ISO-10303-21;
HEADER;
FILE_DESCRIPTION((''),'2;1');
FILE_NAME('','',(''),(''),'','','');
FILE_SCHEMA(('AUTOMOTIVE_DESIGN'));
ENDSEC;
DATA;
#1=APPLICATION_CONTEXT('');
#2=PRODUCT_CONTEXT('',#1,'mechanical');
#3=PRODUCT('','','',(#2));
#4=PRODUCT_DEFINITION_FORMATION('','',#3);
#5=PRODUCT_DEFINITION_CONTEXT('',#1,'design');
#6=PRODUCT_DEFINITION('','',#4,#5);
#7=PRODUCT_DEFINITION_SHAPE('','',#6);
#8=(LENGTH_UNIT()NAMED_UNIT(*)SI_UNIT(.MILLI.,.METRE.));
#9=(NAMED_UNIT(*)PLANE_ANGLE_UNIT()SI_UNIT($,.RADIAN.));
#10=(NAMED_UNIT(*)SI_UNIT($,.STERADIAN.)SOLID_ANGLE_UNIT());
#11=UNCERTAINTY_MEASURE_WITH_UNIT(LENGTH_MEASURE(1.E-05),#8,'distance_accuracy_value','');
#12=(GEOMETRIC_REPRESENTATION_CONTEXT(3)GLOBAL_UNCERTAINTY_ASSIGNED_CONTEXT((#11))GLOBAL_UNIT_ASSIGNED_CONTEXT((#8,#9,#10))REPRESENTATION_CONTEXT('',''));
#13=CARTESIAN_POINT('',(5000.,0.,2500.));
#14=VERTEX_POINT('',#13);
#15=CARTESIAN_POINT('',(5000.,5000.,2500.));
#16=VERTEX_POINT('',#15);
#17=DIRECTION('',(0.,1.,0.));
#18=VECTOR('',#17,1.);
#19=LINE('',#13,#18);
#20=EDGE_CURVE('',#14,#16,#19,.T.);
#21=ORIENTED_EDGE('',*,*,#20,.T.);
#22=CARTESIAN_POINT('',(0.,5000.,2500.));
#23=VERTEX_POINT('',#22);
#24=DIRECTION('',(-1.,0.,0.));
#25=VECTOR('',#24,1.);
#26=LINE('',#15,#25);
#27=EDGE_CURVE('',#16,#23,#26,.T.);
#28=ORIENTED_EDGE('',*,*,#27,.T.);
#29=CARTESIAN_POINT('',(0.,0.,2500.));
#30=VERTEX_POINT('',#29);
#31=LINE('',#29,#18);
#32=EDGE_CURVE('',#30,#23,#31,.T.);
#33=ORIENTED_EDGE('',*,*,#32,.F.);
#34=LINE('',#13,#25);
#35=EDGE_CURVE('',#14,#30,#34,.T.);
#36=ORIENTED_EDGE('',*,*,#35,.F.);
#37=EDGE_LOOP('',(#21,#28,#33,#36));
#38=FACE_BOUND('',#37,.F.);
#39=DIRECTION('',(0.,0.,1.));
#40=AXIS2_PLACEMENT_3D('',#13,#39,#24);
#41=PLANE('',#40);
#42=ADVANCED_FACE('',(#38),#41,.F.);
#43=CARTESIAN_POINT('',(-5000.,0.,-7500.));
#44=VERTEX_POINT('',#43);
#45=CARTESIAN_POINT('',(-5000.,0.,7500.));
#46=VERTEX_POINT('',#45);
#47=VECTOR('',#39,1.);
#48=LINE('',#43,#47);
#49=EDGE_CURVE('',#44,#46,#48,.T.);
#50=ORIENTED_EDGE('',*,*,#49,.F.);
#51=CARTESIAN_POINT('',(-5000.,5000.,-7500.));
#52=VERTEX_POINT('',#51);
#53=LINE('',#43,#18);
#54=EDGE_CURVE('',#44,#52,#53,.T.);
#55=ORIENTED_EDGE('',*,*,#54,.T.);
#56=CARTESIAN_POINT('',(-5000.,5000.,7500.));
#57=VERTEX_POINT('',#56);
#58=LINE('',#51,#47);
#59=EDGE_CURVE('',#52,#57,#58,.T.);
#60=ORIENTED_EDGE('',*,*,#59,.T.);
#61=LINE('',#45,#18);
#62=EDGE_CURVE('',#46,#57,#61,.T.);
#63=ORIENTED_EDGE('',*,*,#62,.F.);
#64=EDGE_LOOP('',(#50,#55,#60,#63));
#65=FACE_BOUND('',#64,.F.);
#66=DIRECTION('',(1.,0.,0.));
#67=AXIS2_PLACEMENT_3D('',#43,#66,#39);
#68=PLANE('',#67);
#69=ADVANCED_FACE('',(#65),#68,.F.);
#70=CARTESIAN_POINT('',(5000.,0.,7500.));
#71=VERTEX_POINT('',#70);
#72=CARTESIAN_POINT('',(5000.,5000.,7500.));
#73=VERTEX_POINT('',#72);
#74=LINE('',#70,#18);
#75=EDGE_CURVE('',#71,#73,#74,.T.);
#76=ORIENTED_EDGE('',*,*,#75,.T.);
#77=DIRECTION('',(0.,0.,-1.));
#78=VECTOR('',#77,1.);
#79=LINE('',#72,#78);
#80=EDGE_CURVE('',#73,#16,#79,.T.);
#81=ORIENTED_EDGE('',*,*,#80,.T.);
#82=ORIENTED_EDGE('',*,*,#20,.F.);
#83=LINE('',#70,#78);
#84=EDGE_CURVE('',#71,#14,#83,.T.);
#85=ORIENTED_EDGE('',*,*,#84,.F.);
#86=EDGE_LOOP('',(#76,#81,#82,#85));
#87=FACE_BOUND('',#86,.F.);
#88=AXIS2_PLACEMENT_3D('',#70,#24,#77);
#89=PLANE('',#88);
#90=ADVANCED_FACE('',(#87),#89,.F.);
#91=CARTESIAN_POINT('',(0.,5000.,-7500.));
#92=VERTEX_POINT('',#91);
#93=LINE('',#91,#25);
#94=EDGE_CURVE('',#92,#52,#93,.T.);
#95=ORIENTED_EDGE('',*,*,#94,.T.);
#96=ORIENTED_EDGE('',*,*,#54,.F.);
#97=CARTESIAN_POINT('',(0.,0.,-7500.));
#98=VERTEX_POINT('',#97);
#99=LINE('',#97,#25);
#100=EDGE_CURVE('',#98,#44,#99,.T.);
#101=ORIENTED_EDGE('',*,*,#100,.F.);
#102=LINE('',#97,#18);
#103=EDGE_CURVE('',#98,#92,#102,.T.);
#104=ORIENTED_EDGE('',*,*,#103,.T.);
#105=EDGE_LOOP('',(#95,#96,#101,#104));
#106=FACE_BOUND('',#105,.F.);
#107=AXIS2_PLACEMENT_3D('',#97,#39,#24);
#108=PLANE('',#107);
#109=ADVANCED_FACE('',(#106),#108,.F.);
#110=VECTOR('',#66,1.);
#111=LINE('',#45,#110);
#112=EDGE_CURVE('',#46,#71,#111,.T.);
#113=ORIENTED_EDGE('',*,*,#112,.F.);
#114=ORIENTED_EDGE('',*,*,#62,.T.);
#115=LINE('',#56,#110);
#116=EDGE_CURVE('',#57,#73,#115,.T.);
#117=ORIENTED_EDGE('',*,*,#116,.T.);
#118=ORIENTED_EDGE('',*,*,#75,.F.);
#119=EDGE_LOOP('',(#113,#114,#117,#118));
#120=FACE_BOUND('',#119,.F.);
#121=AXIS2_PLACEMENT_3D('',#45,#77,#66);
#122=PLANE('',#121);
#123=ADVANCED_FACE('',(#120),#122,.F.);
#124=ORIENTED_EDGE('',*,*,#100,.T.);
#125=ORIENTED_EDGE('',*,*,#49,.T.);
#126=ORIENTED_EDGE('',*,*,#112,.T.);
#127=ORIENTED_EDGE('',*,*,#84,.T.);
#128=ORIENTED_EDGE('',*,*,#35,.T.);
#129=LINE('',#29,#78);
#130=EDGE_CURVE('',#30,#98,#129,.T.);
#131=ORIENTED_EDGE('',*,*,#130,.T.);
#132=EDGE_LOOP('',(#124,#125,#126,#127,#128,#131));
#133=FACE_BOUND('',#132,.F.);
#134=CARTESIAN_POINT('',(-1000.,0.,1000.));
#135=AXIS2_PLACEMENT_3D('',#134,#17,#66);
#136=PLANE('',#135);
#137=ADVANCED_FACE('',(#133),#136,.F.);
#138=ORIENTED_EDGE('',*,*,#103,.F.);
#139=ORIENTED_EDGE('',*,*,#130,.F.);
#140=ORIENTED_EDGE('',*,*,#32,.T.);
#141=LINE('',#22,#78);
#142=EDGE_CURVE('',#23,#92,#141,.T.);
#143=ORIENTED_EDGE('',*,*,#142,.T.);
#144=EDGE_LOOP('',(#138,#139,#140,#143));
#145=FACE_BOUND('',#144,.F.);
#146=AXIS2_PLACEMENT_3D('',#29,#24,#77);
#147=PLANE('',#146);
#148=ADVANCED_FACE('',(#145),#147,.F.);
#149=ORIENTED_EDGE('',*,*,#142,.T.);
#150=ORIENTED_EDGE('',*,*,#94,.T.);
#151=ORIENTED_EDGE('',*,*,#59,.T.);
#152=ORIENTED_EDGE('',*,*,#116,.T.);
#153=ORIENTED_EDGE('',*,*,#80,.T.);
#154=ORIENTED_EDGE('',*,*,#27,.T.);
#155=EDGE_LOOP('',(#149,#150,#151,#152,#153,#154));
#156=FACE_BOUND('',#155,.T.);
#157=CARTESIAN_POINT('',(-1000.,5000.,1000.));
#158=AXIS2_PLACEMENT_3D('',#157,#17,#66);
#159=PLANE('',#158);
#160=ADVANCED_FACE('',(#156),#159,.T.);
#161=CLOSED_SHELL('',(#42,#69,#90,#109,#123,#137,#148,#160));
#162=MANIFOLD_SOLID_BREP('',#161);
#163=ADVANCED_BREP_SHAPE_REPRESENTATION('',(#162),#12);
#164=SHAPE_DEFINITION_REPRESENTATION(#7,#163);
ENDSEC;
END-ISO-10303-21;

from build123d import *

# Parameters (mm, degrees)
BOSS_EXTRUDE1_DEPTH = 5000


with BuildPart() as part:
    # Sketch1 → Boss-Extrude1 (new body)
    with BuildSketch(Plane(origin=(0, 0, 0), x_dir=(1, 0, 0), z_dir=(0, 1, 0))):
        Polygon((-5000, 7500), (-5000, -7500), (5000, -7500), (5000, -2500), (0, -2500), (0, 7500), align=None)
    extrude(amount=BOSS_EXTRUDE1_DEPTH)


solid = part.part
